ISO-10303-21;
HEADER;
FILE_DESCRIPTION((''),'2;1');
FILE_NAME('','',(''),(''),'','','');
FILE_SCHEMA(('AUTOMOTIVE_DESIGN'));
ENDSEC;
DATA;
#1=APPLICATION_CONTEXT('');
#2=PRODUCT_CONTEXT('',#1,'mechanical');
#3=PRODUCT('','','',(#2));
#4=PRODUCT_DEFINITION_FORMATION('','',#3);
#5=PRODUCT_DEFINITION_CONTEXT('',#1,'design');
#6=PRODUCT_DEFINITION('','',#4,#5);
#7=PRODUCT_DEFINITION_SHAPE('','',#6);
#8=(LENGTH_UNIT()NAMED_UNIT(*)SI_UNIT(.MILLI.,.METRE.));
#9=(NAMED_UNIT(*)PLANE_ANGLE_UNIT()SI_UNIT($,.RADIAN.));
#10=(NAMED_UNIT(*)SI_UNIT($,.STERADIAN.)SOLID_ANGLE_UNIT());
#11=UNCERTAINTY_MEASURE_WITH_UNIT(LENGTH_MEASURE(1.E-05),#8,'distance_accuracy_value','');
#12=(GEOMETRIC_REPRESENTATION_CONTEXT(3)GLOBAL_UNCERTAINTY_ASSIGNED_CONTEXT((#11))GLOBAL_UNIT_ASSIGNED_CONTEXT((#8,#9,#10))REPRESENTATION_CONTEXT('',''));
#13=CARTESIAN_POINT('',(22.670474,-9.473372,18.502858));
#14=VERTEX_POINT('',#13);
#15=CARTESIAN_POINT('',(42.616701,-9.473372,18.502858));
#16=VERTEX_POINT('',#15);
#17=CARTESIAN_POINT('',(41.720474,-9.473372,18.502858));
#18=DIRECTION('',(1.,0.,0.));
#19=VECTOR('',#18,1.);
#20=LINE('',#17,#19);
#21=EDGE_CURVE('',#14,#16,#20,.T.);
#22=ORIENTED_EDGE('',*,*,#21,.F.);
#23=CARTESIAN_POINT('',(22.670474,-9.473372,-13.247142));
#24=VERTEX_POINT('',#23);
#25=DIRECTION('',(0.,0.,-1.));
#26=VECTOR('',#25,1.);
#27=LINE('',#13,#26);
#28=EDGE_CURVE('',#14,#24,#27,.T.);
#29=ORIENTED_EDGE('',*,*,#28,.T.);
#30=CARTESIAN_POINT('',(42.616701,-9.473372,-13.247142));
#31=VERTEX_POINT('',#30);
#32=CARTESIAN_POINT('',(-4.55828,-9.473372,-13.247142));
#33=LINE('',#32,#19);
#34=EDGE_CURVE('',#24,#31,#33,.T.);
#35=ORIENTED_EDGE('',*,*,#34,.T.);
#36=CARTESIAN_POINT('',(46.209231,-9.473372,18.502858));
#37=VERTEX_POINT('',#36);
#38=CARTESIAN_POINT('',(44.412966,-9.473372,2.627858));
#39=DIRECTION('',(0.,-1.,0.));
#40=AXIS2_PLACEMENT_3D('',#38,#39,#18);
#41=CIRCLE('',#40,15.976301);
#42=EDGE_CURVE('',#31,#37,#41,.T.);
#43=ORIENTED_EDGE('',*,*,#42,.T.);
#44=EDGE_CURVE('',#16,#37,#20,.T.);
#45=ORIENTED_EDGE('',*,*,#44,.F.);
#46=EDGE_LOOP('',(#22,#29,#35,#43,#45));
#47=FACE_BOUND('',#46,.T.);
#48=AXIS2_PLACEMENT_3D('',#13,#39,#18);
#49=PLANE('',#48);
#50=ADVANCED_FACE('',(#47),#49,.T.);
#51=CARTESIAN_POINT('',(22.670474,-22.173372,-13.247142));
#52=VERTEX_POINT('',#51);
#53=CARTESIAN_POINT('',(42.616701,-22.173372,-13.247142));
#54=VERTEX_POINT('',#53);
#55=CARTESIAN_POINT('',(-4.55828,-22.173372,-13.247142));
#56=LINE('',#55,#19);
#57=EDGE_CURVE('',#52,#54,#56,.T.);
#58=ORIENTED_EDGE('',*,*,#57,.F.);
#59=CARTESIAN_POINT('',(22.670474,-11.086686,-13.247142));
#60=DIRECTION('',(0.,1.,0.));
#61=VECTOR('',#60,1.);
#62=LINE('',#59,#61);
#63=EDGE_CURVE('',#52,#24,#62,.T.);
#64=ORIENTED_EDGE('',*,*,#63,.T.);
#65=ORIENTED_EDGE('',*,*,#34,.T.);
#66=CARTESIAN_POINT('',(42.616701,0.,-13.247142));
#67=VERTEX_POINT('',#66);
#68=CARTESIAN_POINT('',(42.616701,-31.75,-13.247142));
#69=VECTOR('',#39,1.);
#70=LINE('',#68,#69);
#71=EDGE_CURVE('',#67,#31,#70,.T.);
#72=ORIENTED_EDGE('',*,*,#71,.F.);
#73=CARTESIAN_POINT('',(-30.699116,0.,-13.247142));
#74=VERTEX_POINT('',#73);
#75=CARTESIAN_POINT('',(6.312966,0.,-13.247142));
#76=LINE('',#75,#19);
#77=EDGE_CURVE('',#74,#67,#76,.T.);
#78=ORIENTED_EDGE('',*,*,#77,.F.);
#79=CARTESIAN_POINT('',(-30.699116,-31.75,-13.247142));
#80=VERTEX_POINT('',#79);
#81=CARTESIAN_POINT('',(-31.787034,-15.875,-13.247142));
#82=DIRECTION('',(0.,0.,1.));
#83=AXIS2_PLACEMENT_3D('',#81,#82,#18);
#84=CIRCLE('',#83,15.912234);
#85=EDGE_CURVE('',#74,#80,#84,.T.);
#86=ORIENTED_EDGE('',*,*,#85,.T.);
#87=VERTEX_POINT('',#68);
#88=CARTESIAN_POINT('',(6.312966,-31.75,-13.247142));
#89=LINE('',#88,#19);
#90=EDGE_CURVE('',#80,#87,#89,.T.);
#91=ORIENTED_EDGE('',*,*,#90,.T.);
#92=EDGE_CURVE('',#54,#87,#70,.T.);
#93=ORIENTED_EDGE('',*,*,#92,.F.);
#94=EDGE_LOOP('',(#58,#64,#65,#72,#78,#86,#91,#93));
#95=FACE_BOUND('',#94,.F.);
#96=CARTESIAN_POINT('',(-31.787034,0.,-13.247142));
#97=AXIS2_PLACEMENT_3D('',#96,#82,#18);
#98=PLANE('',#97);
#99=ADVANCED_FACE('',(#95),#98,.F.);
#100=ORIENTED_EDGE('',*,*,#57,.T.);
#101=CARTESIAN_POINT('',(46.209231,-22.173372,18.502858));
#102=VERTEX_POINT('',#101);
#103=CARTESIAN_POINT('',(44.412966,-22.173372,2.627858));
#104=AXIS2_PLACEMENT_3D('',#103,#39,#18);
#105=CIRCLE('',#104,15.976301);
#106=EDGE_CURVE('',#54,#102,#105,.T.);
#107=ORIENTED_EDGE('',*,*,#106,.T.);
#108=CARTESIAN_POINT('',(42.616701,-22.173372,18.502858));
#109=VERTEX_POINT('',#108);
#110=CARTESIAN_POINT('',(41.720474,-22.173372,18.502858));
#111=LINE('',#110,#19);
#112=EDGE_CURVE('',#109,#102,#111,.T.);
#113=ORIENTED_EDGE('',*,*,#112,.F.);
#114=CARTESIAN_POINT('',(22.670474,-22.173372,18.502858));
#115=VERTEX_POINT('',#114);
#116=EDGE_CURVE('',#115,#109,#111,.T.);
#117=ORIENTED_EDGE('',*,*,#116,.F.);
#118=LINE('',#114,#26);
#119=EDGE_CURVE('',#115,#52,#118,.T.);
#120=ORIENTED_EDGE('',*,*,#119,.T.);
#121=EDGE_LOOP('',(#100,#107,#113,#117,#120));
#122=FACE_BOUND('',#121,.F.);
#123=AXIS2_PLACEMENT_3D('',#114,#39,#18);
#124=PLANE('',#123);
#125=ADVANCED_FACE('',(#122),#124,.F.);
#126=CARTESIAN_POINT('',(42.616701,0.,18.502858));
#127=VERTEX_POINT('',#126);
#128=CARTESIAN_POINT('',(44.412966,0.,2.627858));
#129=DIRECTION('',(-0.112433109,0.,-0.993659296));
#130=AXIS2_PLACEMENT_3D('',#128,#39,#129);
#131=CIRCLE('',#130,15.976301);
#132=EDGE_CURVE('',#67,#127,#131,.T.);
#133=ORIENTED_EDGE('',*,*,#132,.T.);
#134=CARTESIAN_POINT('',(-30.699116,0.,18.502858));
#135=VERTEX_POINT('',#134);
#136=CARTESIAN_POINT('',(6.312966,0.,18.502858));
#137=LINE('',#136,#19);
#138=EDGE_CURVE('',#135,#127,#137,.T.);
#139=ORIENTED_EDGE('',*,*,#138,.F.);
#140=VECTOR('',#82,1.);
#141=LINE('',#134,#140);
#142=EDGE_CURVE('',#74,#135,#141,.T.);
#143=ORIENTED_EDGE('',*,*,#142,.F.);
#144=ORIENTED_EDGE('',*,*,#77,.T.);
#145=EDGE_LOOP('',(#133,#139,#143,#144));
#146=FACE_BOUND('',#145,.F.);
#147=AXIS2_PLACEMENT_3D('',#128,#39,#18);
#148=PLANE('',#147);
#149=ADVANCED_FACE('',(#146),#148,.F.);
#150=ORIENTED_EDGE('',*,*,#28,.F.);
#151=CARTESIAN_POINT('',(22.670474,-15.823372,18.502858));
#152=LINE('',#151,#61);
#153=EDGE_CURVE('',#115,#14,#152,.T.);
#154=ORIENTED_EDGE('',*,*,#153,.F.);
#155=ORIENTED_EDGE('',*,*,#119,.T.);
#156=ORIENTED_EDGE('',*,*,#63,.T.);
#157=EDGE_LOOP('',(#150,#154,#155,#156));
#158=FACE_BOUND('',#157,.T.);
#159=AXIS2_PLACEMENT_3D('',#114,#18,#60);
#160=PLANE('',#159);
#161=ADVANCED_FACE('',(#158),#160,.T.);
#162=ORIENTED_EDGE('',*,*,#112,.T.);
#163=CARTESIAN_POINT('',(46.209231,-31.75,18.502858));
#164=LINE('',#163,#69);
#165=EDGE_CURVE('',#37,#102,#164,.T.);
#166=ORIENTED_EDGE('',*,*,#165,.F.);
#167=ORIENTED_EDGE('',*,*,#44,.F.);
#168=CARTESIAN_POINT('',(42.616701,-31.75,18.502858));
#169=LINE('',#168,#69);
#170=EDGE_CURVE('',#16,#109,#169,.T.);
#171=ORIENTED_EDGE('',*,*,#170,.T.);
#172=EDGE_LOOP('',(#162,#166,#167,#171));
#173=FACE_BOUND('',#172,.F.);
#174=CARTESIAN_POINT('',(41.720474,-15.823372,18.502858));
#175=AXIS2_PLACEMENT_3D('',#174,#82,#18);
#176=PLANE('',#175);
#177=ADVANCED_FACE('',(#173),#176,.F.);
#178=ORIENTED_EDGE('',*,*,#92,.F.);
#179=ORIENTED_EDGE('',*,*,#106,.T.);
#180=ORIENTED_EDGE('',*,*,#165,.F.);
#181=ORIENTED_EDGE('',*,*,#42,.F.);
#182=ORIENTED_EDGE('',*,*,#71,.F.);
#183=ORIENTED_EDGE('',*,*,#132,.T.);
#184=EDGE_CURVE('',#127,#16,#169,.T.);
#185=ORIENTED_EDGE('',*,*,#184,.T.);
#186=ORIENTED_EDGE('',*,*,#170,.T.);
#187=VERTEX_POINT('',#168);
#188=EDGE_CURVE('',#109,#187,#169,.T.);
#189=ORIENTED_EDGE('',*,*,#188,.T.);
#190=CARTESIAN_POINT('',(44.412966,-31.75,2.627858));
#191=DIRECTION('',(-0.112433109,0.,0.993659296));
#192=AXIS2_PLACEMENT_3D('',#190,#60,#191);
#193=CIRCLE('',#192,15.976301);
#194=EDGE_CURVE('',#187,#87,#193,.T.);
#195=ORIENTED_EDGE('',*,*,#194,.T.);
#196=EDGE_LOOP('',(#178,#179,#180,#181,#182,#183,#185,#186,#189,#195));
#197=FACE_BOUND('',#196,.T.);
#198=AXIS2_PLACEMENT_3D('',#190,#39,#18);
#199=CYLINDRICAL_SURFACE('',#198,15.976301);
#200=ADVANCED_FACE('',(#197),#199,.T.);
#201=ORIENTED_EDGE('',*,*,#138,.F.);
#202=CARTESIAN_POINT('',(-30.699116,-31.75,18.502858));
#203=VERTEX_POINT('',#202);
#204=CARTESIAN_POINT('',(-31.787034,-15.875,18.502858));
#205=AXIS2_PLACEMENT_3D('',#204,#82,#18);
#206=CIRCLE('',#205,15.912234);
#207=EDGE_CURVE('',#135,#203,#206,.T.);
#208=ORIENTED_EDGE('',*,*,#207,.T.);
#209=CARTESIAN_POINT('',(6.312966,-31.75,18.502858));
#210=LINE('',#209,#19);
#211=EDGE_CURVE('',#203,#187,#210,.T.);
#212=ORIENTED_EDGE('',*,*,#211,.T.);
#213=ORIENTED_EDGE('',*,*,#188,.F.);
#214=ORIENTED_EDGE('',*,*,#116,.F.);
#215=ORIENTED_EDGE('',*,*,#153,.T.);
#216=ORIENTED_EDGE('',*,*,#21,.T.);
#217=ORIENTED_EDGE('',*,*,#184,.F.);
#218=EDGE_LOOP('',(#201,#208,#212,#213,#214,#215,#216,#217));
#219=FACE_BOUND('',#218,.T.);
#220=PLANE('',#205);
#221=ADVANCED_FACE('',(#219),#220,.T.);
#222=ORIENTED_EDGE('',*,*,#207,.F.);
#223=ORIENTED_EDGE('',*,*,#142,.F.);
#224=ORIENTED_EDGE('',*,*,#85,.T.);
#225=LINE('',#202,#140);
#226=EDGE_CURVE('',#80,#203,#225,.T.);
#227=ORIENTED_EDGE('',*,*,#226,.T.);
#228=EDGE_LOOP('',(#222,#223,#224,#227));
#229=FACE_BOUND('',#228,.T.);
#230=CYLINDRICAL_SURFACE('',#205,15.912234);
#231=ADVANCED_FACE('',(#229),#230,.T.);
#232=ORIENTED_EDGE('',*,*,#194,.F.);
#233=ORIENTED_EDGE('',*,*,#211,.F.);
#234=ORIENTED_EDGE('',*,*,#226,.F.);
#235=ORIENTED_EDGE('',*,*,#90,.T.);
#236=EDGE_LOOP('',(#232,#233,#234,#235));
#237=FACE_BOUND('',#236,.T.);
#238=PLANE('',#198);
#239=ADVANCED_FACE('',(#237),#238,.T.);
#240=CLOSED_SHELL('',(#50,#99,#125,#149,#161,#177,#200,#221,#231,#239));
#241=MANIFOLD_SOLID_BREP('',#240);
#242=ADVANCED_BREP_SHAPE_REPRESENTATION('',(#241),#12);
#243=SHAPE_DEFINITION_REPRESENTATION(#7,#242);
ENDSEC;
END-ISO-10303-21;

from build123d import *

# Parameters (mm, degrees)
F0_W     = 76.2
F0_H     = 31.75
F1_DEPTH = 31.75
F2_R     = 15.976301
F3_DEPTH = 31.75
F4_R     = 15.912234
F5_DEPTH = 31.75
F6_W     = 38.1
F6_H     = 12.7
F7_DEPTH = 31.852301


with BuildPart() as f1:
    # F0 (on Front) → F1 (new body)
    with BuildSketch(Plane.XZ):
        with Locations((6.312966, 2.627858)):
            Rectangle(F0_W, F0_H)
    extrude(amount=F1_DEPTH)

    # F2 (on face) → F3 (join)
    with BuildSketch(Plane.XZ.offset(31.75)):
        with Locations((44.412966, 2.627858)):
            Circle(F2_R)
    extrude(amount=-F3_DEPTH)

    # F4 (on face) → F5 (join)
    with BuildSketch(Plane.XY.offset(18.502858)):
        with Locations((-31.787034, -15.875)):
            Circle(F4_R)
    extrude(amount=-F5_DEPTH)

    # F6 (on face) → F7 (cut, through all)
    with BuildSketch(Plane.XY.offset(18.502858)):
        with Locations((41.720474, -15.823372)):
            Rectangle(F6_W, F6_H)
    extrude(amount=-F7_DEPTH, mode=Mode.SUBTRACT)


solid = f1.part
